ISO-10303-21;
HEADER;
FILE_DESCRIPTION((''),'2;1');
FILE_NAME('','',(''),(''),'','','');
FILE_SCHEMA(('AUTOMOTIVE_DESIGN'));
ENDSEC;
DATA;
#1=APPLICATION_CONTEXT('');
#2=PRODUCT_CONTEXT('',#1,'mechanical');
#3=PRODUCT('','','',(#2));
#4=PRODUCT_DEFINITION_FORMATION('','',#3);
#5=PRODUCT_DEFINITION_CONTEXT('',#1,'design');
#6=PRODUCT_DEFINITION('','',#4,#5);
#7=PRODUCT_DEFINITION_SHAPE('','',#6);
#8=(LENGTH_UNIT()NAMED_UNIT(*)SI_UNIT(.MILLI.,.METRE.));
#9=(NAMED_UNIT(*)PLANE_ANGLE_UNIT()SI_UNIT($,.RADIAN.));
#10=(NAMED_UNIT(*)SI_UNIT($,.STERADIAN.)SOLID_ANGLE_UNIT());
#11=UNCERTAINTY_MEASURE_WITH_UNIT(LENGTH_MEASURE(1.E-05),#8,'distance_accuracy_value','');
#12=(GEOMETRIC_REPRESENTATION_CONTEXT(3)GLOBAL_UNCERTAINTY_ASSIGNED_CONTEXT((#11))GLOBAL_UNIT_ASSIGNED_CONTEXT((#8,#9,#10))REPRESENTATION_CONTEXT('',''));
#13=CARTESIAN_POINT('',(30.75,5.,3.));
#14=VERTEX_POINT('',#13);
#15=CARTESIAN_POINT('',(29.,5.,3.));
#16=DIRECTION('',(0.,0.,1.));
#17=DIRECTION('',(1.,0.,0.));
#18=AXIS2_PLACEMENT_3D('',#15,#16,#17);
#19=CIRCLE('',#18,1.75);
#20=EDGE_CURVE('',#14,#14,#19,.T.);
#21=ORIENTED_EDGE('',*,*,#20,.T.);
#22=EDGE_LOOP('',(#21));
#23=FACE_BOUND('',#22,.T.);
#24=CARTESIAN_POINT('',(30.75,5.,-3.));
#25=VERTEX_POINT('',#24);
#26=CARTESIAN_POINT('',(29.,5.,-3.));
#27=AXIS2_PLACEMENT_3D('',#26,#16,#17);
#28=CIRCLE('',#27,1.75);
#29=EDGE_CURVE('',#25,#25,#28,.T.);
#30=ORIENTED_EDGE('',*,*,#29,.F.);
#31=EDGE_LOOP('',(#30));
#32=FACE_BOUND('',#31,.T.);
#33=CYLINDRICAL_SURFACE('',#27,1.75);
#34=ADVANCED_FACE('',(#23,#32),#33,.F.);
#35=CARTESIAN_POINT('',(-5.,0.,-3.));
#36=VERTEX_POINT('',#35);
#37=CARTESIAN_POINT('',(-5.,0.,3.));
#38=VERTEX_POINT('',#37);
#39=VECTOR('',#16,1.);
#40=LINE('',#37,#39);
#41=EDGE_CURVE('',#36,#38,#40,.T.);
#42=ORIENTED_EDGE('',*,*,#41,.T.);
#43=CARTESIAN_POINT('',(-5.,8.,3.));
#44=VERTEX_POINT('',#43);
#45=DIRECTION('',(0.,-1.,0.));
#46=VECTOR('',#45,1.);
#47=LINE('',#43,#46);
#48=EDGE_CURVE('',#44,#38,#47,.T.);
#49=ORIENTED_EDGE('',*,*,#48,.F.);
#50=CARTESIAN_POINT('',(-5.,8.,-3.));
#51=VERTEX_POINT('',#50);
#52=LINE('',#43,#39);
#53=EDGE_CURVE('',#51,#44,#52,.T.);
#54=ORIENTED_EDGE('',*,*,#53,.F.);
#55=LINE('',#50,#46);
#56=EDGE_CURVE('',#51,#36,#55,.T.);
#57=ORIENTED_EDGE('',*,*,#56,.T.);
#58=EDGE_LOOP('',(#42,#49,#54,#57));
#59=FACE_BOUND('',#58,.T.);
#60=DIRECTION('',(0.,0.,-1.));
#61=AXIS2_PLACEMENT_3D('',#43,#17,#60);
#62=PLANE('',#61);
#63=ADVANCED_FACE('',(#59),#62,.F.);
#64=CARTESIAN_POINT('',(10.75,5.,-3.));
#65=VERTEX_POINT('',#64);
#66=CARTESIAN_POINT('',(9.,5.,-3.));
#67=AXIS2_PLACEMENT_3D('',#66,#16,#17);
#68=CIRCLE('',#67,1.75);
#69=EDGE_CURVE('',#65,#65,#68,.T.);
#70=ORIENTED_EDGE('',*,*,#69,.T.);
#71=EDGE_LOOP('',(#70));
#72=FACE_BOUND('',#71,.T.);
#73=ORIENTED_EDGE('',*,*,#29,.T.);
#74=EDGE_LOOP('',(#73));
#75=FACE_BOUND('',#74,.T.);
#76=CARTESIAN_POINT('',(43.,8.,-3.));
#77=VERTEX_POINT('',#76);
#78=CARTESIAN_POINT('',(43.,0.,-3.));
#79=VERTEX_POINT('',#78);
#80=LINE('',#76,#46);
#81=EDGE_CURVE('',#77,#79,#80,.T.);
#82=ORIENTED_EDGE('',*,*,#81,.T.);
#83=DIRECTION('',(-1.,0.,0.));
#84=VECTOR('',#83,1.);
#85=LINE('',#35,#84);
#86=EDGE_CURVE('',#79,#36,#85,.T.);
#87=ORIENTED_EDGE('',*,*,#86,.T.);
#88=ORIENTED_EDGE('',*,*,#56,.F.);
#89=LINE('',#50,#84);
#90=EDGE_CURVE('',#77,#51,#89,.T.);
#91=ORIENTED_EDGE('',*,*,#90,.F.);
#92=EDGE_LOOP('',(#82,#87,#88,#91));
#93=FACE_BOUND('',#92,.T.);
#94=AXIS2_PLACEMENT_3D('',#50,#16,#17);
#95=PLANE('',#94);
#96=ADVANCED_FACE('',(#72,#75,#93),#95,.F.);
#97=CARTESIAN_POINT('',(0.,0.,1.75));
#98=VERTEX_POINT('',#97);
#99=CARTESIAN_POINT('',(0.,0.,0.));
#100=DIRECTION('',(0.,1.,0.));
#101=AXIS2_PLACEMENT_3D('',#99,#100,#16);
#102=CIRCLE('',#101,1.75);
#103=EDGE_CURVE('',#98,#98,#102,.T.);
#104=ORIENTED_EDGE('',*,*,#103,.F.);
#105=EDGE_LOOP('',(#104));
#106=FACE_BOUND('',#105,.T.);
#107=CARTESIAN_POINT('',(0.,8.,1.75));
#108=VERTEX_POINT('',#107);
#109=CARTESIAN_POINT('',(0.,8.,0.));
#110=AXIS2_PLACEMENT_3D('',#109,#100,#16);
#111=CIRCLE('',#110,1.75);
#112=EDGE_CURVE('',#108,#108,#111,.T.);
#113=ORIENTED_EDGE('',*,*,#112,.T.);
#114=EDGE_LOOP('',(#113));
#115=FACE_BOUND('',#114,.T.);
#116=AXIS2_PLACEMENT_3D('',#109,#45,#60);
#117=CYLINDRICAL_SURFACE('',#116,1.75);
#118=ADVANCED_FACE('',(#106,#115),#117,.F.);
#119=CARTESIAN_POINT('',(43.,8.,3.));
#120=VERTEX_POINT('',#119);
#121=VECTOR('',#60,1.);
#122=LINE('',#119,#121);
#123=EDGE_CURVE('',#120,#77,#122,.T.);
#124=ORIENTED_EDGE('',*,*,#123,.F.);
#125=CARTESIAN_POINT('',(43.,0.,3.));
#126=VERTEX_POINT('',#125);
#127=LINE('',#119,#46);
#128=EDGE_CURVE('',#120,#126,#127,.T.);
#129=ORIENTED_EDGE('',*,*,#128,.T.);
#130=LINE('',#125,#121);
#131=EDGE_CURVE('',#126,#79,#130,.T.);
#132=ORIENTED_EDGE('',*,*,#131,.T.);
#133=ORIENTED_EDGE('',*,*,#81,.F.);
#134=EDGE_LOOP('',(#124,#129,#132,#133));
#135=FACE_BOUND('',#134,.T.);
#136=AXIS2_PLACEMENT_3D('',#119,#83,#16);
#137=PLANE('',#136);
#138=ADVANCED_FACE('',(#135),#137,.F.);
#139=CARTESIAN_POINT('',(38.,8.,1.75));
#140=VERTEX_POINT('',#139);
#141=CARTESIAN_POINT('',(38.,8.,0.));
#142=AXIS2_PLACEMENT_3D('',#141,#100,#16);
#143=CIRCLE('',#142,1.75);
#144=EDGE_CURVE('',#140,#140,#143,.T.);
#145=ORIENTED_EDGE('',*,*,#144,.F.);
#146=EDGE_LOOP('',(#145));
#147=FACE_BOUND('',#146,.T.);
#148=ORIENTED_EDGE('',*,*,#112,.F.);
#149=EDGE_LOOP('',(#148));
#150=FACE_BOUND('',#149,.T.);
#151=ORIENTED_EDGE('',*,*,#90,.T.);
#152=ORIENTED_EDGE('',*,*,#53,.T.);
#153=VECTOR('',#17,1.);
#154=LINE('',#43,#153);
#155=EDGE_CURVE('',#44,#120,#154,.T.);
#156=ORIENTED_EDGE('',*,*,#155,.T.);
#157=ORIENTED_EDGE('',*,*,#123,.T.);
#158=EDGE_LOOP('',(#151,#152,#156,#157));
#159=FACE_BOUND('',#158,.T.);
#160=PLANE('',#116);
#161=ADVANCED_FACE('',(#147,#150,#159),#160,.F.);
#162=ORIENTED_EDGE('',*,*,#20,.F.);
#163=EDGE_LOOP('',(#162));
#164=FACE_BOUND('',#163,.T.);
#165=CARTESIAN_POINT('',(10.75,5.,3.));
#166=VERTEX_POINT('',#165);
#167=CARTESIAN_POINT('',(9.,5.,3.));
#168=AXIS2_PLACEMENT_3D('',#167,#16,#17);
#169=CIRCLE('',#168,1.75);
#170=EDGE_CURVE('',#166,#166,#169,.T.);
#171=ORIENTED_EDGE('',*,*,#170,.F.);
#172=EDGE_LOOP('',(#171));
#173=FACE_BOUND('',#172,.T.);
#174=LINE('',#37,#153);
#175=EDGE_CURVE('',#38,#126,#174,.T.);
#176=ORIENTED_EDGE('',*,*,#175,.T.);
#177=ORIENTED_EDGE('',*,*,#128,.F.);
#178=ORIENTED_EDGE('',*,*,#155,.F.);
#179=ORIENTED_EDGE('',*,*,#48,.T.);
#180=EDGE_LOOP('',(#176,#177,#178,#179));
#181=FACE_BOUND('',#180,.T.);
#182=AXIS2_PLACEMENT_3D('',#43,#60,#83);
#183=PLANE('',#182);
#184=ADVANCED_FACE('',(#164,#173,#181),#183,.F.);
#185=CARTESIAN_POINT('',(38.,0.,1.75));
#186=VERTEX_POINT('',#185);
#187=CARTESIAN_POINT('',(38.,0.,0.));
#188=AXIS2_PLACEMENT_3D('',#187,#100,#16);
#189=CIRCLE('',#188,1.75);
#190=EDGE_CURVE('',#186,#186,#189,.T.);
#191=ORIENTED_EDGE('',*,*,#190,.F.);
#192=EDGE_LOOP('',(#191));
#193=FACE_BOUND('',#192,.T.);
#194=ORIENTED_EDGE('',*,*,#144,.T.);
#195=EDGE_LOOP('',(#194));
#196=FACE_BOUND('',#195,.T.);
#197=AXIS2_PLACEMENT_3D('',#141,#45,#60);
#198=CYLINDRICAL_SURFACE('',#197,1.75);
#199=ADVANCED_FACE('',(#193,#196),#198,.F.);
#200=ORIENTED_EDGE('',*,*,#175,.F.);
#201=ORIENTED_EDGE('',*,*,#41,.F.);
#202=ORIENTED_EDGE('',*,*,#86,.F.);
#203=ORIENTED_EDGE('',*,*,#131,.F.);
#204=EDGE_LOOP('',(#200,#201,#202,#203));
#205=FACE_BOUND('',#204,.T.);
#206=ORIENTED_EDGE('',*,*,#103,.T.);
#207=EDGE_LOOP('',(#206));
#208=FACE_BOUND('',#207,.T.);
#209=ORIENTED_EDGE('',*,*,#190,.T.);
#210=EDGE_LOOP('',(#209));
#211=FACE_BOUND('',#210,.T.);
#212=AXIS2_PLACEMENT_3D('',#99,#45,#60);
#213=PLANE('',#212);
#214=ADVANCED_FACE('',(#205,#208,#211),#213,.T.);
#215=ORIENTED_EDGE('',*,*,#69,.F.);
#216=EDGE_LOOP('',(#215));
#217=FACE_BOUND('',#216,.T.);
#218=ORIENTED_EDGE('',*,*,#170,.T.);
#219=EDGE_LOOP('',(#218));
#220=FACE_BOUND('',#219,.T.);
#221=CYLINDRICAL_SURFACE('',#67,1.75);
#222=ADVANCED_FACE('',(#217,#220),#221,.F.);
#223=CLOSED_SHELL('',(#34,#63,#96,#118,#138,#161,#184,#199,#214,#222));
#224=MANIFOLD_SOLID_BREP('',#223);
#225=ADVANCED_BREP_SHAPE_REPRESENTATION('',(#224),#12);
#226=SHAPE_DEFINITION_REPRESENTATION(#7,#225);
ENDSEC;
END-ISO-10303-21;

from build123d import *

# Parameters (mm, degrees)
SKETCH_1_W          = 48
SKETCH_1_H          = 6
SKETCH_1_R          = 1.75
EXTRUDE_1_DEPTH     = 8
SKETCH_2_R          = 1.75
CUT_EXTRUDE_1_DEPTH = 45.147480109


with BuildPart() as part:
    # 草图1 → 凸台-拉伸1 (new body)
    with BuildSketch(Plane(origin=(0, 0, 0), x_dir=(1, 0, 0), z_dir=(0, 1, 0))):
        with Locations((19, 0)):
            Rectangle(SKETCH_1_W, SKETCH_1_H)
        with Locations(Location((0, 0, 0), (0, 0, 270))):
            Circle(SKETCH_1_R, mode=Mode.SUBTRACT)
        with Locations(Location((38, 0, 0), (0, 0, 270))):
            Circle(SKETCH_1_R, mode=Mode.SUBTRACT)
    extrude(amount=EXTRUDE_1_DEPTH)

    # 草图2 → 切除-拉伸1 (cut, through all)
    with BuildSketch(Plane.XY.offset(3)):
        with Locations((9, 5)):
            Circle(SKETCH_2_R)
        with Locations((29, 5)):
            Circle(SKETCH_2_R)
    extrude(amount=-CUT_EXTRUDE_1_DEPTH, mode=Mode.SUBTRACT)


solid = part.part
